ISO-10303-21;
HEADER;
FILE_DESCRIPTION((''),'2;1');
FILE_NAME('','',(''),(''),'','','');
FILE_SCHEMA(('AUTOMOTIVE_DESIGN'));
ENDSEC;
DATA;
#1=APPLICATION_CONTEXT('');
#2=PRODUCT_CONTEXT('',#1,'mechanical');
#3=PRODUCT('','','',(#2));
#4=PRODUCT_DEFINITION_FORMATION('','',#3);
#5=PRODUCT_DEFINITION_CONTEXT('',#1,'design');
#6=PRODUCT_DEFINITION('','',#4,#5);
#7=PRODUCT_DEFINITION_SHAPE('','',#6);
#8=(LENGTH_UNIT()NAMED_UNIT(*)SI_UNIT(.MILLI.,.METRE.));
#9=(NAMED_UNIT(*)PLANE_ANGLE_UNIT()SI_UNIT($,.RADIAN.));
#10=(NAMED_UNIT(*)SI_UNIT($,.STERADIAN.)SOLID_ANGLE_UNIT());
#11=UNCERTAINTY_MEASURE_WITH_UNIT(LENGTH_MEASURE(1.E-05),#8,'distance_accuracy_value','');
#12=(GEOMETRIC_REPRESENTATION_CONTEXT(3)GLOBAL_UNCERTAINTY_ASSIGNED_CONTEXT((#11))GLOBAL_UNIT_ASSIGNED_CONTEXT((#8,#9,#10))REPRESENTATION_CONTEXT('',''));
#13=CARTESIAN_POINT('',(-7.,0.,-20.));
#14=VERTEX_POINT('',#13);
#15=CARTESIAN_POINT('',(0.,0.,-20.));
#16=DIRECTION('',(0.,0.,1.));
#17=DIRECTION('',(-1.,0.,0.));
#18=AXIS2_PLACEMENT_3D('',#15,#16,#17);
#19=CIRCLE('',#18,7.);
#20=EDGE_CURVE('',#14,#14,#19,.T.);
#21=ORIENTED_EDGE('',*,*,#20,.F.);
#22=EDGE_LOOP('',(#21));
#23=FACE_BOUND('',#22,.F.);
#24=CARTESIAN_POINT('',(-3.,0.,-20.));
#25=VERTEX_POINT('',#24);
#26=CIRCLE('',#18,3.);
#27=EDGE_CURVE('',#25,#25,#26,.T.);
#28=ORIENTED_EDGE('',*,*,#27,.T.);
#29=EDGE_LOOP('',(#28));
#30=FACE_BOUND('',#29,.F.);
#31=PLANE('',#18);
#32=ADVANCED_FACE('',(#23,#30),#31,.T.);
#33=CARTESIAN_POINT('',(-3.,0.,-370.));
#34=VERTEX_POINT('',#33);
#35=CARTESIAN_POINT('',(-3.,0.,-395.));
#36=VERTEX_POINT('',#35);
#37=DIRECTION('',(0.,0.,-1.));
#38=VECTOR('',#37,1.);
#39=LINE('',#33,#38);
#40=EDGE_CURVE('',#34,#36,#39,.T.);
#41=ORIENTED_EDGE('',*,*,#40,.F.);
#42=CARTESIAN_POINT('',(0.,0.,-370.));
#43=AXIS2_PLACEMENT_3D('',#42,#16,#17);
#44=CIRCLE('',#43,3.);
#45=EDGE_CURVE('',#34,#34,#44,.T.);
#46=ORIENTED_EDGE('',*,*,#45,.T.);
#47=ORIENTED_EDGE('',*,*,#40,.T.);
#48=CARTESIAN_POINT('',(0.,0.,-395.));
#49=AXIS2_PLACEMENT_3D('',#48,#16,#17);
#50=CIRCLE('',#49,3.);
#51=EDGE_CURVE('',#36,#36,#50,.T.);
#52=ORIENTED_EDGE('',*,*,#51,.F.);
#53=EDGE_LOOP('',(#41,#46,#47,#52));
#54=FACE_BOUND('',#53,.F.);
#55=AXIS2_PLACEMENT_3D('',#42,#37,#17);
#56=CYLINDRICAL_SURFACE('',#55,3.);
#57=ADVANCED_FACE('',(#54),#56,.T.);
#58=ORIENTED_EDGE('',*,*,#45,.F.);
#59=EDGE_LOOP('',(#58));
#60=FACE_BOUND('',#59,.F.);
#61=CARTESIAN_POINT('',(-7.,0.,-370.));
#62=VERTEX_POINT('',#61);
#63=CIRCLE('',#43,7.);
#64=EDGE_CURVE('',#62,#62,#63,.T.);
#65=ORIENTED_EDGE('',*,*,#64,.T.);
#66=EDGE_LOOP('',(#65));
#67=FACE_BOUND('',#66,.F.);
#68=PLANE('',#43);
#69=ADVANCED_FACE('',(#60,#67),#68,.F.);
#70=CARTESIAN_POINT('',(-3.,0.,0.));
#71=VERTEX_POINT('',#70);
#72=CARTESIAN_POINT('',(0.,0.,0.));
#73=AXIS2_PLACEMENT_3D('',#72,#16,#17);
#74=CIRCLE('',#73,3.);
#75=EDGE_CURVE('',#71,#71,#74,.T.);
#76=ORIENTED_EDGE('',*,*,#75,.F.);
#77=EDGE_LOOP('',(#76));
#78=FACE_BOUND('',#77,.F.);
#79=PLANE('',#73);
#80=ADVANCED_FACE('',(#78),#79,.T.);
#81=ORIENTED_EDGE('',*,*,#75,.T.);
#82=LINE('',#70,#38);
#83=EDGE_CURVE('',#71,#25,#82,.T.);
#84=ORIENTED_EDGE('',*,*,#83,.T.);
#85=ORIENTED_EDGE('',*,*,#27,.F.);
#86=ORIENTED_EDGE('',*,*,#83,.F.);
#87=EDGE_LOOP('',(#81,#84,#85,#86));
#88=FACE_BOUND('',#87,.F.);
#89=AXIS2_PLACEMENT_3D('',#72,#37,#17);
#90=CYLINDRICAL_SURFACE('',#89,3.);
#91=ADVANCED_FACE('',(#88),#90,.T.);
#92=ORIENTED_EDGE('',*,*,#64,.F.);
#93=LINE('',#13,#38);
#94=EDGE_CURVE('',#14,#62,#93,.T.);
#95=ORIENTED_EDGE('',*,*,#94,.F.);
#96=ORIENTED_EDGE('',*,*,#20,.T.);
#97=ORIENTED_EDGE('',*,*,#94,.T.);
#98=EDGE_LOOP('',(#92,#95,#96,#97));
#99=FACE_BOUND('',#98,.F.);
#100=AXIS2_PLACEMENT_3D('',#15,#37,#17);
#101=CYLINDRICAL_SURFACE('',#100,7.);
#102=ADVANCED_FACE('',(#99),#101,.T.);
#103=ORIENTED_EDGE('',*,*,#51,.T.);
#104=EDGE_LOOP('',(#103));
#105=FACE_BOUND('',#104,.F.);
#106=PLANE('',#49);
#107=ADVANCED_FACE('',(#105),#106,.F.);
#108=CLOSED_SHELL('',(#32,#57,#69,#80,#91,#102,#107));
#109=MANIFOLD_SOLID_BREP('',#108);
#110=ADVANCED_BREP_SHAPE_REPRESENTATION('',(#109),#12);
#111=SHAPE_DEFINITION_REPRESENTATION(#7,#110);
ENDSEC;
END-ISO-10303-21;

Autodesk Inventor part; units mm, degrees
ref_plane "YZ Plane" through (0, 0, 0) normal (1, 0, 0) x (0, 1, 0)
ref_plane "XZ Plane" through (0, 0, 0) normal (0, 1, 0) x (-1, 0, 0)
ref_plane "XY Plane" through (0, 0, 0) normal (0, 0, 1) x (1, 0, 0)
sketch "Esboço1" plane through (0, 0, 0) normal (0, 1, 0) x (-1, 0, 0)
  line L0 (0, 0) -> (3, 0)
  line L1 (3, 0) -> (3, -20)
  line L2 (3, -20) -> (7, -20)
  line L3 (7, -20) -> (7, -370)
  line L4 (7, -370) -> (3, -370)
  line L5 (3, -370) -> (3, -395)
  line L6 (3, -395) -> (0, -395)
  line L7 (0, -395) -> (0, 0)
  dimension "d0" = 3
  dimension "d1" = 20
  dimension "d2" = 4
  dimension "d3" = 350
  dimension "d4" = 4
  dimension "d5" = 25
revolve "Revolução1" add sketch "Esboço1" angle 360 about axis through (0, 0, -395) along (0, 0, 1)
sketch "Sketch3" plane through (0, 0, 0) normal (1, 0, 0) x (0, 1, 0)
  line L0 (-7, -20) -> (7, -20) projected
  arc A0 (6.5, -20.866) -> (6.5, -22.5981) centre (7, -21.7321) ccw
  line L1 (7, -20) -> (7, -370) projected
  arc A1 (6.5, -20.866) -> (7, -20) centre (6, -20) ccw
  arc A2 (7, -23.4641) -> (6.5, -22.5981) centre (6, -23.4641) ccw
  line L2 (-7, -20) -> (-7, -370) projected
  point P0 (0, 0)
  dimension "d10" = 2
  dimension "d11" = 1
  dimension "d12" = 1
  dimension "d13" = 0
coil "Coil1" [suppressed]
thread "Thread2" size "M52x4" class "6g" standard "ISO Metric profile" full length
equation "\"d11\" = 0.5 * d10"
equation "\"d12\" = d11"
equation "\"Raio_vergadura\" = Espessura"
equation "\"Largura_alívio_de_vergadura\" = Espessura"
equation "\"Profundidade_alívio_de_vergadura\" = 0.5 * Espessura"
equation "\"Tamanho_alívio_de_dobra\" = 4 * Espessura"
equation "\"Remanescente_mínimo\" = 2 * Espessura"
equation "\"Raiodetransição\" = Raio_vergadura"
equation "\"Tamanho_de_raio_de_Jacobi\" = Raio_vergadura"
equation "\"TamanhoFolga\" = Espessura"
equation "\"Espessura\" = 0.5"
properties part number "Eixo roscado" material "Aço galvanizado"
